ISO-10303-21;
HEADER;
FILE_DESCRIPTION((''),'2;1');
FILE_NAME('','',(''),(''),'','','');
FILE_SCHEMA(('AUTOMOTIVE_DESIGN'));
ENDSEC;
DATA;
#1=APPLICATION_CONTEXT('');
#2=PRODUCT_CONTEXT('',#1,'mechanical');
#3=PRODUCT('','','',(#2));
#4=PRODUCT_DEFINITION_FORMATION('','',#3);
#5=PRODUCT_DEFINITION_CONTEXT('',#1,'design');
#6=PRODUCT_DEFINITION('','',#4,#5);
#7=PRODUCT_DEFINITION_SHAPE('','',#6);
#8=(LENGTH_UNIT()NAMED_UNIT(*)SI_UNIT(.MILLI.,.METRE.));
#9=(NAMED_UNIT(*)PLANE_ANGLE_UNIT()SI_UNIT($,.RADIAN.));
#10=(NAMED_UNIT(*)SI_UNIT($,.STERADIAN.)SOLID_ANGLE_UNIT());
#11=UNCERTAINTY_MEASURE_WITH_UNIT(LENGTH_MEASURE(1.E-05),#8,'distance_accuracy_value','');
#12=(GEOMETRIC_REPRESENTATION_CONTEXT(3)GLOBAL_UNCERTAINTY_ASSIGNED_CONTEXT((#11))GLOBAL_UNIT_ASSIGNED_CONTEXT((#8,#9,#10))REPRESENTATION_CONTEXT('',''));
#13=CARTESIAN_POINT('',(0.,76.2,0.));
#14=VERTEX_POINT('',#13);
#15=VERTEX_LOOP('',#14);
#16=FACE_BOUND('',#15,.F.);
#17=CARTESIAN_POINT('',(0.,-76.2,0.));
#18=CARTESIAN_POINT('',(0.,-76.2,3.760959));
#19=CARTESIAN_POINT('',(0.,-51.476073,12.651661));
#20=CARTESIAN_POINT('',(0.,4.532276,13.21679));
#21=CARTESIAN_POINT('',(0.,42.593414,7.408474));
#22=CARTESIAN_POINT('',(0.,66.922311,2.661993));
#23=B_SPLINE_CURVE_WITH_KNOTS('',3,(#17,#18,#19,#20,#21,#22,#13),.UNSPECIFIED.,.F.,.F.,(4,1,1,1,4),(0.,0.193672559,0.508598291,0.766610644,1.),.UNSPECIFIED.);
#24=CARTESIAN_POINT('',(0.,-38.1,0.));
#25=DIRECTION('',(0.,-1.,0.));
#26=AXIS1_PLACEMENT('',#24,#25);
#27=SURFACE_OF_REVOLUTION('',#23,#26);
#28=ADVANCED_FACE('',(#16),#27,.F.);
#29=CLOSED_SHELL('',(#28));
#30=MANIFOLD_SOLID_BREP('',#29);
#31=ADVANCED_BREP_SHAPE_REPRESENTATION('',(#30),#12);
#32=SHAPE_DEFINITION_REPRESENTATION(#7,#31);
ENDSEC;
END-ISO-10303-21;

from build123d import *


with BuildPart() as f1:
    # F0 (on Right) → F1 (revolve)
    with BuildSketch(Plane.YZ):
        with BuildLine():
            Line((-76.2, 0), (0, 0))
            Line((0, 0), (76.2, 0))
            add(Edge.make_bspline(
                [(-76.2, 0), (-76.2, 3.7609585841), (-51.4760730551, 12.6516609444), (4.5322755808, 13.2167901334), (42.5934136555, 7.4084738823), (66.9223111911, 2.661992758), (76.2, 0)],
                knots=[0, 0, 0, 0, 0.1936725589, 0.5085982913, 0.7666106442, 1, 1, 1, 1], degree=3))
        make_face()
    revolve(axis=Axis((0, -38.1, 0), (0, -1, 0)))


solid = f1.part
